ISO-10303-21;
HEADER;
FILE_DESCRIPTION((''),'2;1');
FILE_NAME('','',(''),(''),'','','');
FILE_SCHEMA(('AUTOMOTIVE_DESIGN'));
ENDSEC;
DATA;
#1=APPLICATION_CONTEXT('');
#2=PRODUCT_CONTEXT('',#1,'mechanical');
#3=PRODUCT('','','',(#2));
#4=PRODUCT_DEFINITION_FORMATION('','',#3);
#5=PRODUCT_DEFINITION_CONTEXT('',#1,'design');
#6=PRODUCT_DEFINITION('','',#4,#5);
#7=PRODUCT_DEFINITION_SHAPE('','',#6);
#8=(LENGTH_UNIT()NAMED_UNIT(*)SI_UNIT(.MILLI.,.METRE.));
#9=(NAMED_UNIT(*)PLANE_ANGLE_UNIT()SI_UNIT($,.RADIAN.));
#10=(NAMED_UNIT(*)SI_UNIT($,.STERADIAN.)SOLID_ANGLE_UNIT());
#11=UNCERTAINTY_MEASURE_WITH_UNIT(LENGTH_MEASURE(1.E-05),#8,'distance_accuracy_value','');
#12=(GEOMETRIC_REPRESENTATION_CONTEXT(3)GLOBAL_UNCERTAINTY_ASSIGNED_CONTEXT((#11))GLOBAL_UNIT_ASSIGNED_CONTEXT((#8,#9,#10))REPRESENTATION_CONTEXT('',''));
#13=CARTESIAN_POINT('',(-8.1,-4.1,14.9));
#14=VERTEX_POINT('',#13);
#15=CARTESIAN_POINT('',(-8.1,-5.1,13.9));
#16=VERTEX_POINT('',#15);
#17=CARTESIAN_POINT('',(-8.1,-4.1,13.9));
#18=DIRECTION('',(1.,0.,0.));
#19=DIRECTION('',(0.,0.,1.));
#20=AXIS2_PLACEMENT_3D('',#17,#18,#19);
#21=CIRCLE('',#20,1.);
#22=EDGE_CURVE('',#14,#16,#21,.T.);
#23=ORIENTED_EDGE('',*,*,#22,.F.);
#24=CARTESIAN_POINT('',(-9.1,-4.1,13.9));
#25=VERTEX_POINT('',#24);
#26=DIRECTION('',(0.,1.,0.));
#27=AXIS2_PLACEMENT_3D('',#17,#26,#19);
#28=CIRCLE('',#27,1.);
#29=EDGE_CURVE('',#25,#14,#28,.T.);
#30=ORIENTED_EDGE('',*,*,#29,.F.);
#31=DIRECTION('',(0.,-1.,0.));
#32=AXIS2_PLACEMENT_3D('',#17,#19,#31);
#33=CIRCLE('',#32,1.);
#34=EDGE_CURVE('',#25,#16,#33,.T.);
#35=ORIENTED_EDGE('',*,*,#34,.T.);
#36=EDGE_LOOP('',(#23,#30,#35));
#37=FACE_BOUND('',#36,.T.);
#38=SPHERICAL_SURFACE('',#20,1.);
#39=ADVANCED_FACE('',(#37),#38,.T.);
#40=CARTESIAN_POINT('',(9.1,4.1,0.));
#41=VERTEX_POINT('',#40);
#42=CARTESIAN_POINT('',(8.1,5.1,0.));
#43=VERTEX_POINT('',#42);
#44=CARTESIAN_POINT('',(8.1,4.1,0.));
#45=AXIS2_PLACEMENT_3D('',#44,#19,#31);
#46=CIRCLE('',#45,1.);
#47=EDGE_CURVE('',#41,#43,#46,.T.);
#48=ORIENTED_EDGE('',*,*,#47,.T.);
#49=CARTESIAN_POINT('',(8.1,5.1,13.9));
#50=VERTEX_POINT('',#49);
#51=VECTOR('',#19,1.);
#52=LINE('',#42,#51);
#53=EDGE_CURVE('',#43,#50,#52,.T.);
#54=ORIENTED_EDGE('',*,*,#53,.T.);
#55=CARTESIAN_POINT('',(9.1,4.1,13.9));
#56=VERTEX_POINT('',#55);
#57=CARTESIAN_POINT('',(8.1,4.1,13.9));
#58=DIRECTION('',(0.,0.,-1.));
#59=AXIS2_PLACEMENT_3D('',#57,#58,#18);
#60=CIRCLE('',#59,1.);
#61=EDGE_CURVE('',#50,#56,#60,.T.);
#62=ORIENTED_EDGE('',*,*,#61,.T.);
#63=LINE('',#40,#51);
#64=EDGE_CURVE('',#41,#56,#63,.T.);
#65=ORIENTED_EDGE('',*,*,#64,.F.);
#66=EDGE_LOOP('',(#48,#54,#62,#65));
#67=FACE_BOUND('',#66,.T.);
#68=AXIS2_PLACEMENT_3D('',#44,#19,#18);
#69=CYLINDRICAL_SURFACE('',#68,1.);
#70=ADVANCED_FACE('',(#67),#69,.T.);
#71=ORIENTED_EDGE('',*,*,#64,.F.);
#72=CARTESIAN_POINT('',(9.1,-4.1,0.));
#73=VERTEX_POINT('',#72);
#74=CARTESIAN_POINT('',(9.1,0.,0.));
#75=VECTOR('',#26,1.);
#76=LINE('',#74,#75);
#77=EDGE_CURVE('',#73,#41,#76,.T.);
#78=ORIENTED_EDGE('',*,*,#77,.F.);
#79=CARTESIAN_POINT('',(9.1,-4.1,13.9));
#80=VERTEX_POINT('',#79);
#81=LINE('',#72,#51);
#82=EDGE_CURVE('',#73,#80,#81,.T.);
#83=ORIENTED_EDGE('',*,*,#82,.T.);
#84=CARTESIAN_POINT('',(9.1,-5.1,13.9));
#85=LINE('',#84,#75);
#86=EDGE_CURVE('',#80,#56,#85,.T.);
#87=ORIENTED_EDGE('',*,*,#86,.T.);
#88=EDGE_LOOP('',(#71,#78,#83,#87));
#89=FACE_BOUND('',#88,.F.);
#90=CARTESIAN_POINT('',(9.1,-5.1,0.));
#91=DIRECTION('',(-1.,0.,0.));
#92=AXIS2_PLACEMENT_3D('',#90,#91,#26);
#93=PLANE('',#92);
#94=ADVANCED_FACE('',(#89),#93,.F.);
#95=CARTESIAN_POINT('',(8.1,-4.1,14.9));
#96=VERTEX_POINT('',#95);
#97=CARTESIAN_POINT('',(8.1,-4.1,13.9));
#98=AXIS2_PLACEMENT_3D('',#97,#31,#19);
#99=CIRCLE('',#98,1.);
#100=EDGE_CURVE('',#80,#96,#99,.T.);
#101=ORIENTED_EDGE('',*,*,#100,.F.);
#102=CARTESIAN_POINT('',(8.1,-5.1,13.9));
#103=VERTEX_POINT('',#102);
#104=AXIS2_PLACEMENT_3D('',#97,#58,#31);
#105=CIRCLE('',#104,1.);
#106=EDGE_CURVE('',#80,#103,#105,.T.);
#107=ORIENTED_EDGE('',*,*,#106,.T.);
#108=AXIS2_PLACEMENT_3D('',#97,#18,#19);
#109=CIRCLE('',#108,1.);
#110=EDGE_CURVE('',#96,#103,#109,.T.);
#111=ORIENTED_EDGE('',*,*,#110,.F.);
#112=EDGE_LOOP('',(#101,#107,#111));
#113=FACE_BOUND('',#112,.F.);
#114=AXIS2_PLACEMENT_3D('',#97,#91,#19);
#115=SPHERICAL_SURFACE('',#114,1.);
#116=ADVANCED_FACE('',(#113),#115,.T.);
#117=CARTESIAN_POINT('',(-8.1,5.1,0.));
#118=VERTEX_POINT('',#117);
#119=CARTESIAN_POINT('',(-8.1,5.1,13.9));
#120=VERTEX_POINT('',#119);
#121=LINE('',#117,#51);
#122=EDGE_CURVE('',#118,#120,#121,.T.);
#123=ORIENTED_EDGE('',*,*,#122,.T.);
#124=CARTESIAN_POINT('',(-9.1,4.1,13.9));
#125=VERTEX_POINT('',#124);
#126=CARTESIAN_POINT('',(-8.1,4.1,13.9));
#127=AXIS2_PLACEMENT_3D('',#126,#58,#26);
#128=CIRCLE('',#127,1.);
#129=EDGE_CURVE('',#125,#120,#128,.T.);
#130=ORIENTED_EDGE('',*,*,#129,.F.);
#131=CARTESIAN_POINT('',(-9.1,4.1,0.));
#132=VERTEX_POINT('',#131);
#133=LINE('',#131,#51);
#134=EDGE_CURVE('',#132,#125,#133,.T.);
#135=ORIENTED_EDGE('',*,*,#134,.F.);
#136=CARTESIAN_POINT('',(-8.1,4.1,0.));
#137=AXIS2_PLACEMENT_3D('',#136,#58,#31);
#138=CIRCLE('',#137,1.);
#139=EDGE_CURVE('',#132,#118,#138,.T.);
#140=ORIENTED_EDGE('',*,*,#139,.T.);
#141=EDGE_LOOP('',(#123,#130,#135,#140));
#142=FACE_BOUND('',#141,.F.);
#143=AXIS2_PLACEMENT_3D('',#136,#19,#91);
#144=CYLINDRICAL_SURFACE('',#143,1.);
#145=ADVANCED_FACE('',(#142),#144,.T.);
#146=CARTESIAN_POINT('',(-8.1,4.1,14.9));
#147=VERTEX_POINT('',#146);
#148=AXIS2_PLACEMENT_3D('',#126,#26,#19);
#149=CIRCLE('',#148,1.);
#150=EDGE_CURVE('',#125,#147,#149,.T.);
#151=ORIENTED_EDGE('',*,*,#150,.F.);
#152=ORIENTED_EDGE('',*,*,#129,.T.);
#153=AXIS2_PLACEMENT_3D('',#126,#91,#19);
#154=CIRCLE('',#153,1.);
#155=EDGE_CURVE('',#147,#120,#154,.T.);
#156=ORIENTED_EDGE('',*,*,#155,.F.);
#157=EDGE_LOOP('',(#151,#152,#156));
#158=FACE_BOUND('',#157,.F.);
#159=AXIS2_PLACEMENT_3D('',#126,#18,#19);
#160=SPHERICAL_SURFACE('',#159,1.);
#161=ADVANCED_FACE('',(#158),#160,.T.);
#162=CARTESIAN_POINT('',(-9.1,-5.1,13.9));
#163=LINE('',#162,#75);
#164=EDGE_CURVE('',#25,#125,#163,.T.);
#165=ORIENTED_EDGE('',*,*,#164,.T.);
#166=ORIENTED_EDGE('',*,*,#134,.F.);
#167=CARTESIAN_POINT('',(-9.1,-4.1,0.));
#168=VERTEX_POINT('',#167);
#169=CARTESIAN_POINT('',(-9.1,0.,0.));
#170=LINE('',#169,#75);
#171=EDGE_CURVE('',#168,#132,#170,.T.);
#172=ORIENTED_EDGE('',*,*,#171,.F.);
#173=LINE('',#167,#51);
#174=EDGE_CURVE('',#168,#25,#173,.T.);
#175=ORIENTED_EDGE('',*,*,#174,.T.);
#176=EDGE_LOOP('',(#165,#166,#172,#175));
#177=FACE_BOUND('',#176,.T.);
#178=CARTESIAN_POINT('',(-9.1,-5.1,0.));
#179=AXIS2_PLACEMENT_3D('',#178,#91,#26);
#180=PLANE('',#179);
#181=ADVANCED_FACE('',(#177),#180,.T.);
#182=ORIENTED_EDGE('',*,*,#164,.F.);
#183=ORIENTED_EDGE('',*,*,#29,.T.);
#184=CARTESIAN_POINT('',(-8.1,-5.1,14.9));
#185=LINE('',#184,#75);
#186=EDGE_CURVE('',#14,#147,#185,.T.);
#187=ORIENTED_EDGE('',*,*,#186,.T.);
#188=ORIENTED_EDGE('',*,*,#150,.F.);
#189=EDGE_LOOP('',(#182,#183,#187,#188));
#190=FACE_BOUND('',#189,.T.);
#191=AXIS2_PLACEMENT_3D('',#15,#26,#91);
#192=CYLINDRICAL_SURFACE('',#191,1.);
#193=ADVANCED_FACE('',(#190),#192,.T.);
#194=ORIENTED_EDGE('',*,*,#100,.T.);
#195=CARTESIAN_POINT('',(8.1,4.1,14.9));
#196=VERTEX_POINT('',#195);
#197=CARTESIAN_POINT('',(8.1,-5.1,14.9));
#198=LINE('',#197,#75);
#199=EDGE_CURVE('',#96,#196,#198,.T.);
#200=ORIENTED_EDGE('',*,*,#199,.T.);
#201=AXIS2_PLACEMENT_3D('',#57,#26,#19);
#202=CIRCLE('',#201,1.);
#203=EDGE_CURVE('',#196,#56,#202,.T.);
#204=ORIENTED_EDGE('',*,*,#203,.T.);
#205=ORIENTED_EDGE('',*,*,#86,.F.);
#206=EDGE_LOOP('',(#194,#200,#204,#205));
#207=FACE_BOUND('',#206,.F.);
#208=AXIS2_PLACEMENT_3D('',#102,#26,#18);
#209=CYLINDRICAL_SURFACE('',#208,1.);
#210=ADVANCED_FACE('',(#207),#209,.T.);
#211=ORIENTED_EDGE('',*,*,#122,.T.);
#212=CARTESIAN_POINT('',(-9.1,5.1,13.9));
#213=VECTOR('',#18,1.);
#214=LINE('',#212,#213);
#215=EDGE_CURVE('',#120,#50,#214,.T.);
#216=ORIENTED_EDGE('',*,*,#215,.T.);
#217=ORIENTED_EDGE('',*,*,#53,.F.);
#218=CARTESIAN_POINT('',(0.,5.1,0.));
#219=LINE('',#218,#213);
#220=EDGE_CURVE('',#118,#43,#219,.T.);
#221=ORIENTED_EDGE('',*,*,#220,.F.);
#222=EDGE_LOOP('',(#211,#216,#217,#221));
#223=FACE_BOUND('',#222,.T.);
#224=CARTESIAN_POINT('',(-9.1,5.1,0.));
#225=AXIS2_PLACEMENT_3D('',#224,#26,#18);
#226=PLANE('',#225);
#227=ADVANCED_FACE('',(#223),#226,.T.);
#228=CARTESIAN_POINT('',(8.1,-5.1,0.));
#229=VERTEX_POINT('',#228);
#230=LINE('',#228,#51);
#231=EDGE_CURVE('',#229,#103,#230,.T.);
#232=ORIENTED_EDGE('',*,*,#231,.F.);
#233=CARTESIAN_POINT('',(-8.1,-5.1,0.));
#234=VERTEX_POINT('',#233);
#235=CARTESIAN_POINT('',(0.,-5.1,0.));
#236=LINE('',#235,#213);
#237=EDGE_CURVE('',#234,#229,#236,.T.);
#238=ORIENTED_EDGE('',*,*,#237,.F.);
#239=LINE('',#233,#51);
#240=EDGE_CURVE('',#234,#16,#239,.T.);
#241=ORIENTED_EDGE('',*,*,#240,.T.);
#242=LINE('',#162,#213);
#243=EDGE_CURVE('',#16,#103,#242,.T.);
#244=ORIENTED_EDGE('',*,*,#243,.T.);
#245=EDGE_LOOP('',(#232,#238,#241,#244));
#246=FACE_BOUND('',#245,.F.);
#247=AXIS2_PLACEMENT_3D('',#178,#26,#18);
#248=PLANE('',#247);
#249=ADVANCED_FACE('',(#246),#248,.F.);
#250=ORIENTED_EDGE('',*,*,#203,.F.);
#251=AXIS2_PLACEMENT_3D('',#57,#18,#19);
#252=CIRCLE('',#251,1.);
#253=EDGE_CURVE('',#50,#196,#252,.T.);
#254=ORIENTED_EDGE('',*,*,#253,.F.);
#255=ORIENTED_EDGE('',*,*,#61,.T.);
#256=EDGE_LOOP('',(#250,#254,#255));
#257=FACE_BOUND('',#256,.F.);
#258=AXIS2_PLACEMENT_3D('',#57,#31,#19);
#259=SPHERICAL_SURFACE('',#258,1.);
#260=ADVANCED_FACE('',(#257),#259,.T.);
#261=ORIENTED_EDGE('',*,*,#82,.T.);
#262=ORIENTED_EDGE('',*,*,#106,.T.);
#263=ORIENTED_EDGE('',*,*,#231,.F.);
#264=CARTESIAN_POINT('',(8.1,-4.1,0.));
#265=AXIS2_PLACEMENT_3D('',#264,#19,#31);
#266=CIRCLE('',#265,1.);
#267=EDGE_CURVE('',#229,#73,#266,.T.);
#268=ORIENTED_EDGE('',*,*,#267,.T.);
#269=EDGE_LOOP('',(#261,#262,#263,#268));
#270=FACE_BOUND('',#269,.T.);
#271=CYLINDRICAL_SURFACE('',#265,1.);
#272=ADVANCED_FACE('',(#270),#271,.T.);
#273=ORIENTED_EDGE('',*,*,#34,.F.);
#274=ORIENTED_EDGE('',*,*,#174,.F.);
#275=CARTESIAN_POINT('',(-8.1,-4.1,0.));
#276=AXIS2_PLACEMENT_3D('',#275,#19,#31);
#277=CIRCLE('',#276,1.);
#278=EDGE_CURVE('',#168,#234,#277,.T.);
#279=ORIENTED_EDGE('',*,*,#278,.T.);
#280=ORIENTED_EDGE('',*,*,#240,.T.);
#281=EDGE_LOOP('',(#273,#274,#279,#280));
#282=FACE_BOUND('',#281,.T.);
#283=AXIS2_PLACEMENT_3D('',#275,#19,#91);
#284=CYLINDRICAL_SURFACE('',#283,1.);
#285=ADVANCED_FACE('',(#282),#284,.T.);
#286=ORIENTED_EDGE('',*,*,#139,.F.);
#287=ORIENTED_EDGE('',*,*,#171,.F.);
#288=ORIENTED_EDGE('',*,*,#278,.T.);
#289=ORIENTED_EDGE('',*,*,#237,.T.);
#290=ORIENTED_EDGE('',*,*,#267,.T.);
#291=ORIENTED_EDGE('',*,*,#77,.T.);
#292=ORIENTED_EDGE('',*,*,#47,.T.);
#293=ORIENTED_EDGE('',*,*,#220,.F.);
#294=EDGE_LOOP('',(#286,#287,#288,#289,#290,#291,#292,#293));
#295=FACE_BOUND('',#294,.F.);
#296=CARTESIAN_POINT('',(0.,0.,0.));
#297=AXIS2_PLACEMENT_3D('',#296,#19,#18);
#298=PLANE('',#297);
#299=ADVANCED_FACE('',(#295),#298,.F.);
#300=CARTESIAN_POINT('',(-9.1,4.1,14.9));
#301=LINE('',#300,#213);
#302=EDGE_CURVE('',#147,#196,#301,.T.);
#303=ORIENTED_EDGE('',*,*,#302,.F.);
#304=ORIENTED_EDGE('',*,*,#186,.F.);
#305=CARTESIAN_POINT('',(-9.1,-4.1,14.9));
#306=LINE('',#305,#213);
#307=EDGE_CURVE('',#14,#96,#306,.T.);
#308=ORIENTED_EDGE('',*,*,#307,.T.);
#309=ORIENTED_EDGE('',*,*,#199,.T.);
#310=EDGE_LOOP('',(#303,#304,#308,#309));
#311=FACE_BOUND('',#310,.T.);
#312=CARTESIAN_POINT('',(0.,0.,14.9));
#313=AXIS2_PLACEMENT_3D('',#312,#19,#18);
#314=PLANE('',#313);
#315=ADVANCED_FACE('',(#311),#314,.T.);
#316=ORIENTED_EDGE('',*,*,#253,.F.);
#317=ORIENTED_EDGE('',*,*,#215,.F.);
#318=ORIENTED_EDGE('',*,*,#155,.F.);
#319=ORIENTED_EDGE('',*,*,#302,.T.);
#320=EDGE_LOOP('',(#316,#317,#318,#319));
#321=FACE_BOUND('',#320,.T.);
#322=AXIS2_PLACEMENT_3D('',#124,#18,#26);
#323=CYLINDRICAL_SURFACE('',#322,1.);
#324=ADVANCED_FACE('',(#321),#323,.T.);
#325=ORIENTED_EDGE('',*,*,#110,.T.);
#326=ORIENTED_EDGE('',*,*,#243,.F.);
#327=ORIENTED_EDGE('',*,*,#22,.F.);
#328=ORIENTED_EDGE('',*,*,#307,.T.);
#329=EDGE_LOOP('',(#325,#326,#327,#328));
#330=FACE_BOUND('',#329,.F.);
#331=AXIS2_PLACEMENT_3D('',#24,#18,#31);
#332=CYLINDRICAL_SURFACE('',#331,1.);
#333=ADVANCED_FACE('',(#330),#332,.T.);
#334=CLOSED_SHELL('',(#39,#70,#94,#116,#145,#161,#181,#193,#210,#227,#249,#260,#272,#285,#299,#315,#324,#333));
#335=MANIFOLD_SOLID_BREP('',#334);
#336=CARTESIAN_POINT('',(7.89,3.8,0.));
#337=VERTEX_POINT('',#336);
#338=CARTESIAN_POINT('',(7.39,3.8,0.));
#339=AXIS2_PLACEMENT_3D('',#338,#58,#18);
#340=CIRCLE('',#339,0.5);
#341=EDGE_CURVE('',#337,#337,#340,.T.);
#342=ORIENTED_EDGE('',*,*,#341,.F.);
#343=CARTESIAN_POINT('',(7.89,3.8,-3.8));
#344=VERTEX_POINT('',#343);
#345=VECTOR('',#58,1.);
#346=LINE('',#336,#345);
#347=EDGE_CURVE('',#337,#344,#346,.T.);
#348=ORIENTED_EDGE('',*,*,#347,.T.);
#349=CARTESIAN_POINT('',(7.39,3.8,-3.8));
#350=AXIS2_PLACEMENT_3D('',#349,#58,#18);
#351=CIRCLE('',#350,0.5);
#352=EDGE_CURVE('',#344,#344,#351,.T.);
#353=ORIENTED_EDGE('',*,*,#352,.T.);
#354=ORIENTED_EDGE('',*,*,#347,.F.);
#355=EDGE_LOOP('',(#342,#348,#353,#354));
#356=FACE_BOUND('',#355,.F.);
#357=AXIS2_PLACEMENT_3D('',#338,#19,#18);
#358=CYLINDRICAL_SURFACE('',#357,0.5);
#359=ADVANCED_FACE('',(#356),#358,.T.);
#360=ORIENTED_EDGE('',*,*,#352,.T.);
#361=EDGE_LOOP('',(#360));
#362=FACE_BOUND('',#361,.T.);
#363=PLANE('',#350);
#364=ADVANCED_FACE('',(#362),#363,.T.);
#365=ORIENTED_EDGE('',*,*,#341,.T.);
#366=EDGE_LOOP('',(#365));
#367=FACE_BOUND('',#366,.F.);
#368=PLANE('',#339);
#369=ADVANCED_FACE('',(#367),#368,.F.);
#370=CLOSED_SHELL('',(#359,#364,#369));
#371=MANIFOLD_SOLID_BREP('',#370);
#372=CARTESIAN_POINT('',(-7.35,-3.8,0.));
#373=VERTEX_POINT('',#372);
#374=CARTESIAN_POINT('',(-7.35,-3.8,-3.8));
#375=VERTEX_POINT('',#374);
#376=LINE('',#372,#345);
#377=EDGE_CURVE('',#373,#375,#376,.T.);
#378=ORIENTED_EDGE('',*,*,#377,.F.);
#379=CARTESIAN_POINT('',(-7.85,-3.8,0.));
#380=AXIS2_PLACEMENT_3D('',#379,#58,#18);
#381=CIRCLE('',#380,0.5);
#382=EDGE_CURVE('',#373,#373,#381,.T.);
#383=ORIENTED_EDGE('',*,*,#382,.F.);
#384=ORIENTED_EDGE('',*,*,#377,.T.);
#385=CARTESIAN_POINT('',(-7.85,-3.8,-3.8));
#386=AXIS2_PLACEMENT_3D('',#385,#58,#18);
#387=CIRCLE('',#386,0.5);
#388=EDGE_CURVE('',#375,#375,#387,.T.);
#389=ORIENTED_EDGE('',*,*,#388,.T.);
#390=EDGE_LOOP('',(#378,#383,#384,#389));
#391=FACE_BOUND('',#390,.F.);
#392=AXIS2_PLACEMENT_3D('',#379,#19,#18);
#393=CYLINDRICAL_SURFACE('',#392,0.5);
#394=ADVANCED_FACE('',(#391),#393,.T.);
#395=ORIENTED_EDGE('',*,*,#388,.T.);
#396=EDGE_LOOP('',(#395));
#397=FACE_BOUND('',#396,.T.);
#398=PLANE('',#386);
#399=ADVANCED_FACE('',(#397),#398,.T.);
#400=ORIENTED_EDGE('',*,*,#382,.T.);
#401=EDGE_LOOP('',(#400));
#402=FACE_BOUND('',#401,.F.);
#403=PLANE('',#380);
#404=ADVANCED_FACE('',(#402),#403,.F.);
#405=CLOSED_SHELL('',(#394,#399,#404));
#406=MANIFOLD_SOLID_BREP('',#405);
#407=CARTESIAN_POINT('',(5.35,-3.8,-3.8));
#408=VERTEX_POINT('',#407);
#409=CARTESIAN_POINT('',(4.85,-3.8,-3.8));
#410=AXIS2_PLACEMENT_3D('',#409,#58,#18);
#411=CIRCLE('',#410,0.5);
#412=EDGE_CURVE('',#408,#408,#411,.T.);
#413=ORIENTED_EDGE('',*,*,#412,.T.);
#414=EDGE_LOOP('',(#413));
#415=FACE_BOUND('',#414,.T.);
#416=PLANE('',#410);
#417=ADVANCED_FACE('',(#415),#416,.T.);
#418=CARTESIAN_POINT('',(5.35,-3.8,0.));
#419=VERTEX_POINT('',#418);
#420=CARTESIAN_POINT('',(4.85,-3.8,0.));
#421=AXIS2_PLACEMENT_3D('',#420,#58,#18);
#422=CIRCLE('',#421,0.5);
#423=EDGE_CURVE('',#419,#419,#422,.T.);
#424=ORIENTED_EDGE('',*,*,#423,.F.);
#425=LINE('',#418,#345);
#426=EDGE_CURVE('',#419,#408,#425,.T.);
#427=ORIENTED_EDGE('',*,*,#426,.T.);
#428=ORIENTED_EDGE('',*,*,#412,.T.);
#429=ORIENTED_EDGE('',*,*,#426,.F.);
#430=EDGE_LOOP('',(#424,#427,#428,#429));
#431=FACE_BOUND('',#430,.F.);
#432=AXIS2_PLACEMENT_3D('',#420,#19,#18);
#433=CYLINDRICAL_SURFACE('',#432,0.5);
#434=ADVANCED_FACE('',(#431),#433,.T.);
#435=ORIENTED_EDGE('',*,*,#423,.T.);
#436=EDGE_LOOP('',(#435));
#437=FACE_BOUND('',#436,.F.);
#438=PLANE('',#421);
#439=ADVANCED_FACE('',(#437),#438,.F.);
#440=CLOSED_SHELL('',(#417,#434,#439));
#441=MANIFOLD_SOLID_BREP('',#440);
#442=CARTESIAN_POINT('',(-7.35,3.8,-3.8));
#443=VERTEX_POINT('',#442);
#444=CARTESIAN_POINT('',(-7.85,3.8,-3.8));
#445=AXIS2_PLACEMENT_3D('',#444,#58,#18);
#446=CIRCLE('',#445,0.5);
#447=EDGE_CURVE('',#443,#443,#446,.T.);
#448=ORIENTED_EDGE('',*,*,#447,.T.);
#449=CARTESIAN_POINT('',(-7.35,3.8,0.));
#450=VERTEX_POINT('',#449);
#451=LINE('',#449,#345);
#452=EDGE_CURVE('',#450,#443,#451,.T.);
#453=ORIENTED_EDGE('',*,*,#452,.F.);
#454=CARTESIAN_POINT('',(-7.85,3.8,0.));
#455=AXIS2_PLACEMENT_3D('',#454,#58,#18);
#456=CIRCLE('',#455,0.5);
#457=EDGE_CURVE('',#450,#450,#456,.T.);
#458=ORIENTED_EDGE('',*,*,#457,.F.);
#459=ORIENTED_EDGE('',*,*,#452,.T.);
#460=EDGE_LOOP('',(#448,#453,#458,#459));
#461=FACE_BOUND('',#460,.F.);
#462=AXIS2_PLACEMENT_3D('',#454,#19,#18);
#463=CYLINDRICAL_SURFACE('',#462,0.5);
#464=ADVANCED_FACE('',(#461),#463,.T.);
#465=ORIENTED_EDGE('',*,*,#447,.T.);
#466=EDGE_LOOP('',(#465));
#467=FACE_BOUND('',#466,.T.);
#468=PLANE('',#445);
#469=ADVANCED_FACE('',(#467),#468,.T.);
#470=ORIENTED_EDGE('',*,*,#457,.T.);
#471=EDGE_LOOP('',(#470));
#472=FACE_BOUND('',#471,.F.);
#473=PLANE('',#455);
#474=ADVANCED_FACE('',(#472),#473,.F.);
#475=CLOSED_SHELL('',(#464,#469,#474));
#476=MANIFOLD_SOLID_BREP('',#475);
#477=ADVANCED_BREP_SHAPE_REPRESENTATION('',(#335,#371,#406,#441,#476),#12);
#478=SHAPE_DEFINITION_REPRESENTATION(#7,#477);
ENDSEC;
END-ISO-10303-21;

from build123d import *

# Parameters (mm, degrees)
F0_W     = 18.2
F0_H     = 10.2
F1_DEPTH = 14.9
F2_R     = 1
F3_R     = 0.5
F4_DEPTH = 3.8


with BuildPart() as f1:
    # F0 (on Top) → F1 (new body)
    with BuildSketch(Plane.XY):
        Rectangle(F0_W, F0_H)
    extrude(amount=F1_DEPTH)

    # F2
    f2_edges = [f1.edges().sort_by_distance(p)[0] for p in [
        (0, -5.1, 14.9),
        (9.1, 0, 14.9),
        (0, 5.1, 14.9),
        (-9.1, 0, 14.9),
        (9.1, -5.1, 7.45),
        (9.1, 5.1, 7.45),
        (-9.1, -5.1, 7.45),
        (-9.1, 5.1, 7.45),
    ]]
    fillet(f2_edges, radius=F2_R)


with BuildPart() as f4:
    # F3 (on face) → F4 (new body)
    with BuildSketch(Plane(origin=(0, 0, 0), x_dir=(1, 0, 0), z_dir=(0, 0, -1))):
        with Locations((-7.85, 3.8)):
            Circle(F3_R)
        with Locations((-7.85, -3.8)):
            Circle(F3_R)
        with Locations((4.85, 3.8)):
            Circle(F3_R)
        with Locations((7.39, -3.8)):
            Circle(F3_R)
    extrude(amount=F4_DEPTH)


solid = Compound([f1.part, f4.part])
